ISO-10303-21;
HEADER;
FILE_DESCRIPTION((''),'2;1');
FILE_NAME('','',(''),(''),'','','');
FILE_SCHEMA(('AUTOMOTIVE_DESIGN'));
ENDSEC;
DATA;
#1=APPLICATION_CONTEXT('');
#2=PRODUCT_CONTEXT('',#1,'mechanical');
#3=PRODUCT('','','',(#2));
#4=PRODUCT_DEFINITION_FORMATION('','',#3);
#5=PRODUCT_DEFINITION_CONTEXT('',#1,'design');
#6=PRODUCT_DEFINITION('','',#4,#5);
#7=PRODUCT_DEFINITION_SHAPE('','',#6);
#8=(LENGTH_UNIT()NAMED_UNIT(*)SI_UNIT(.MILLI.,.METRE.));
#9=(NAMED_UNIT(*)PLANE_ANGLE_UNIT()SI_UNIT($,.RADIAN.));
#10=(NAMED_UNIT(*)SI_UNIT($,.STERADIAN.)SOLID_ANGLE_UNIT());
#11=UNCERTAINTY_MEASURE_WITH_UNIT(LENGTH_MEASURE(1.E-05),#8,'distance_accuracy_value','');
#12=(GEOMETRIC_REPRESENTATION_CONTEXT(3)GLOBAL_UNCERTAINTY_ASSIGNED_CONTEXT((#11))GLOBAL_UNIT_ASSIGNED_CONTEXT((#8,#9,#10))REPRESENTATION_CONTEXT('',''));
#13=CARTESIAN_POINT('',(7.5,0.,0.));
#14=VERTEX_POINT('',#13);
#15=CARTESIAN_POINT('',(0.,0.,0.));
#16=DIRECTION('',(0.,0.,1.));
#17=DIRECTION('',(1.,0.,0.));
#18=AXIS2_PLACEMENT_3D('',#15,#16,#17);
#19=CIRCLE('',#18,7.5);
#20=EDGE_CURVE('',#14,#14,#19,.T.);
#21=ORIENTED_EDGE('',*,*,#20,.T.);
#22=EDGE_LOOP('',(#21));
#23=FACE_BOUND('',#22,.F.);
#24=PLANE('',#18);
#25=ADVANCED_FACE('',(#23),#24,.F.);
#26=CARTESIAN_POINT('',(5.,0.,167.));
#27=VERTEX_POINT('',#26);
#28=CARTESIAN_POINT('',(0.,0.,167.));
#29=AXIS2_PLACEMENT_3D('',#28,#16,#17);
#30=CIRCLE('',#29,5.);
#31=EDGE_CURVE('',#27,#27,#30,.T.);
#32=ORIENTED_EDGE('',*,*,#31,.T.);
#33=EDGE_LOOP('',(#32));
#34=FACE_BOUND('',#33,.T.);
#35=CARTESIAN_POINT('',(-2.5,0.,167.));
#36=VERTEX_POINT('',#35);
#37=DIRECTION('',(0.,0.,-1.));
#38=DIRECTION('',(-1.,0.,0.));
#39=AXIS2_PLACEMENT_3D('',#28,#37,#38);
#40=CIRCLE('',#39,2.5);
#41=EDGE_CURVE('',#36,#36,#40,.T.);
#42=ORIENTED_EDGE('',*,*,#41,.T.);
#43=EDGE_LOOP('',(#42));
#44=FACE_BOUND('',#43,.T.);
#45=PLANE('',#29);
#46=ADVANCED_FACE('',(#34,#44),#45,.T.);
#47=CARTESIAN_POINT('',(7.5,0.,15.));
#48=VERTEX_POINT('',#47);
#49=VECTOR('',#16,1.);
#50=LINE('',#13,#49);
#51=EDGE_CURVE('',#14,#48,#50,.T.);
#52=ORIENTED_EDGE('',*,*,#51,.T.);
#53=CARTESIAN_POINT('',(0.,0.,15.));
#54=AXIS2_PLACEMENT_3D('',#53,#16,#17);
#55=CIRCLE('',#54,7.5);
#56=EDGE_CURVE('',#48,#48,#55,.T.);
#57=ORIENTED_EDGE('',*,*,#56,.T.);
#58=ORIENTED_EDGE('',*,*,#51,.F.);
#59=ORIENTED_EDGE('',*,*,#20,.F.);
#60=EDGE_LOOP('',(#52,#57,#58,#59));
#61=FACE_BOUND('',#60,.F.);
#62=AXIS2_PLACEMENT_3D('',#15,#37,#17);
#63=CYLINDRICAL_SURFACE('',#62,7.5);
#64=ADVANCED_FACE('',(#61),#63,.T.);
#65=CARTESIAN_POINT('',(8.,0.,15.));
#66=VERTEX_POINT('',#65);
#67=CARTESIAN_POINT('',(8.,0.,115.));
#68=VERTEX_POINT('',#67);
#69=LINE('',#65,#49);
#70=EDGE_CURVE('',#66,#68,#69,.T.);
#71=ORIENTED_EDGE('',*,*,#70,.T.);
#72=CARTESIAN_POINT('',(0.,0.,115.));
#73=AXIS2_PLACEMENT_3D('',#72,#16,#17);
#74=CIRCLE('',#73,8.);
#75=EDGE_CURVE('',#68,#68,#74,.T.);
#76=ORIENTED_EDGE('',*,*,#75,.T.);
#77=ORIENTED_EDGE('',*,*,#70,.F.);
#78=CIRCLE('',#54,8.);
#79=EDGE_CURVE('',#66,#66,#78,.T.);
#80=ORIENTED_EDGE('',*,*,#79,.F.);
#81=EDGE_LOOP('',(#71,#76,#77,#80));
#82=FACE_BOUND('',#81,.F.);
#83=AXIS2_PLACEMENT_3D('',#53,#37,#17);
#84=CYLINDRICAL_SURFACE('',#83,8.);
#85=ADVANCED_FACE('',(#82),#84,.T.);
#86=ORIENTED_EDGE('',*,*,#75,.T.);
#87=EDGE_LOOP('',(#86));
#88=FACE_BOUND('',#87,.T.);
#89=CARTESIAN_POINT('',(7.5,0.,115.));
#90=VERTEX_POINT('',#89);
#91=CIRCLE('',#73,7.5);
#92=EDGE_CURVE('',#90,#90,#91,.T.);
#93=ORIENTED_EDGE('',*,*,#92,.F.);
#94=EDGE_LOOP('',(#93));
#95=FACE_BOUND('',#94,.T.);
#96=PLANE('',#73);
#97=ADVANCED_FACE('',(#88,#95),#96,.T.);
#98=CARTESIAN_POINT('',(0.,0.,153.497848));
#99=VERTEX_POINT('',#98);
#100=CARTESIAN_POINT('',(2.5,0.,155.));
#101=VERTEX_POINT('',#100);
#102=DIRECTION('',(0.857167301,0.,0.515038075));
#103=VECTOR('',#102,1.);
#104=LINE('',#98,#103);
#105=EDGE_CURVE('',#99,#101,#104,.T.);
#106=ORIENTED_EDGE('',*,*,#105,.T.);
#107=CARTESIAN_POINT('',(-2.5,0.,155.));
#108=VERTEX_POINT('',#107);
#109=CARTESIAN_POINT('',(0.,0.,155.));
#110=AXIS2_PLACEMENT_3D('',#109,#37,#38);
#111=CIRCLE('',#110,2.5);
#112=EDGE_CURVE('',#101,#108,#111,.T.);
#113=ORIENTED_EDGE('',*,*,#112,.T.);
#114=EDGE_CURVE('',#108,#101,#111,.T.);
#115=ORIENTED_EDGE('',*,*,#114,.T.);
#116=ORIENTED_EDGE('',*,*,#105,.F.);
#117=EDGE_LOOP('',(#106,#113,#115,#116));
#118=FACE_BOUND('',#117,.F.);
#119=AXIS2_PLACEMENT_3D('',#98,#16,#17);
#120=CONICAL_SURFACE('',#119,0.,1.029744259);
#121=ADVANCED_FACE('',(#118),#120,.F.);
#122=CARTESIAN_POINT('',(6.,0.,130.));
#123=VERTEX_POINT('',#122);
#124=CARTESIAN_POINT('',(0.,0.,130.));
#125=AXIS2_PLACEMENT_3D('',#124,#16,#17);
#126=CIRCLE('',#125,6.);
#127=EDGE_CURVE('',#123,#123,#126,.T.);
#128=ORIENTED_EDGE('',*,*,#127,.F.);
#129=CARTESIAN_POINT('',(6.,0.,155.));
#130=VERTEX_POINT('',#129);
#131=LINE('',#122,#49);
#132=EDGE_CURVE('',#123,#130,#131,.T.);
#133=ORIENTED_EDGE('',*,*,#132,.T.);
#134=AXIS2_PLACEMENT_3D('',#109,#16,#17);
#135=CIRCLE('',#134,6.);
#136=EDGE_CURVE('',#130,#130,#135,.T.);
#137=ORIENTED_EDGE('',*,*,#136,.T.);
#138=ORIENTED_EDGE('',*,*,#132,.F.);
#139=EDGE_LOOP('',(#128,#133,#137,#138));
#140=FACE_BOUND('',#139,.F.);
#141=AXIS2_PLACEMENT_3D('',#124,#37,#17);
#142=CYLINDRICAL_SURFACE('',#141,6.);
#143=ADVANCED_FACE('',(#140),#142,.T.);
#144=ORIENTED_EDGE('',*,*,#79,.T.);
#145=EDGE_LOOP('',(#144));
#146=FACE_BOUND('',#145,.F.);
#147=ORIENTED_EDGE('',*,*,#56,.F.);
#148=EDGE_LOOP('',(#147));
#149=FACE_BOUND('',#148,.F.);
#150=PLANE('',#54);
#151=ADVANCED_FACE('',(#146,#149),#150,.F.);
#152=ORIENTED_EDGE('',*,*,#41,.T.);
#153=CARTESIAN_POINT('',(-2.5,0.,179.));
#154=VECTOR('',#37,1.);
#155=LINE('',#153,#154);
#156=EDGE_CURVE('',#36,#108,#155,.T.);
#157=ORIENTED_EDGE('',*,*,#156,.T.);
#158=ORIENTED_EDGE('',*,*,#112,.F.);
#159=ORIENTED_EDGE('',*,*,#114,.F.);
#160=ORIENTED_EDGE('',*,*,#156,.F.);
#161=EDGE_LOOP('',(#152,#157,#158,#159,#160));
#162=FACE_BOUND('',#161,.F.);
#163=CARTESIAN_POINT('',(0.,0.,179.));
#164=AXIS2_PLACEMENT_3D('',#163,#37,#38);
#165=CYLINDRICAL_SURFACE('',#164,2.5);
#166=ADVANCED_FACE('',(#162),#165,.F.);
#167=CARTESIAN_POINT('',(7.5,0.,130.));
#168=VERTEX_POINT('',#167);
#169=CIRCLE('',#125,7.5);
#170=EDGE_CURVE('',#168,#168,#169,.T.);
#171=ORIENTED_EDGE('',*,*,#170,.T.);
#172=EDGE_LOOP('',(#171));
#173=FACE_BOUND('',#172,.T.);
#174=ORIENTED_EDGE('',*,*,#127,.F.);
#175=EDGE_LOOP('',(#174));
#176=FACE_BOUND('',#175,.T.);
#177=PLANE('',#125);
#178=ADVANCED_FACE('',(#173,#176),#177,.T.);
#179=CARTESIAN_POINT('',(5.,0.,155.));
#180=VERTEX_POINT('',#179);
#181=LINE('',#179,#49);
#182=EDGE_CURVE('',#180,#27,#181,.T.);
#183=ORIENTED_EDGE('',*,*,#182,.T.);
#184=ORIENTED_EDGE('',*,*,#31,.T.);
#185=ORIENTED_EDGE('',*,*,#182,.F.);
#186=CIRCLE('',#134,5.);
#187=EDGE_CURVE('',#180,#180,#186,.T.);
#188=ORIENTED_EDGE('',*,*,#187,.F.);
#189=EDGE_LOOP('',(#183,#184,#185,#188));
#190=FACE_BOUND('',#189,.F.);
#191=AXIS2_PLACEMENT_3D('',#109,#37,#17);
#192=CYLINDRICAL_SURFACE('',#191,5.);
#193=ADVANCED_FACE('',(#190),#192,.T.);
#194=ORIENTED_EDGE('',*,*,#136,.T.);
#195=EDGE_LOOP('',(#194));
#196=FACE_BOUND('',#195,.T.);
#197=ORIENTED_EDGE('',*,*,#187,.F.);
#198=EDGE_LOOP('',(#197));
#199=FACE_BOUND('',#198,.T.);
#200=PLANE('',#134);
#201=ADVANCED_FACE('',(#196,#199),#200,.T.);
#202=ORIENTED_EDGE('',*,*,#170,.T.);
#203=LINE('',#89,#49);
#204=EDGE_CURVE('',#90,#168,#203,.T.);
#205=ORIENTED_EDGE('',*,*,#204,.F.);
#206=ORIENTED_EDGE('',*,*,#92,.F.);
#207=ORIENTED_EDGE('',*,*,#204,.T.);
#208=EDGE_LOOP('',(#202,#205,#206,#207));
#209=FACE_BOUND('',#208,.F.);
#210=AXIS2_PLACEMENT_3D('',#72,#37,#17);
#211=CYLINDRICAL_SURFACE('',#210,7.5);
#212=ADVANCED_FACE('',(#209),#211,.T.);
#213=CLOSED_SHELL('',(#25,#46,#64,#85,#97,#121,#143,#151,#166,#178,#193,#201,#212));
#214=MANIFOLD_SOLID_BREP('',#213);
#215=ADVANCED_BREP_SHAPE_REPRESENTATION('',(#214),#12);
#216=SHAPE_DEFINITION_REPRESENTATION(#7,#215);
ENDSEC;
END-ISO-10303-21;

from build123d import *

# Parameters (mm, degrees)
F0_R      = 7.5
F1_DEPTH  = 15
F2_R      = 8
F3_DEPTH  = 100
F4_R      = 7.5
F5_DEPTH  = 15
F6_R      = 6
F7_DEPTH  = 25
F8_R      = 5
F9_DEPTH  = 12
F11_D     = 5
F11_DEPTH = 12
F11_TIP   = 1.5021515476


with BuildPart() as f1:
    # F0 (on Top) → F1 (new body)
    with BuildSketch(Plane.XY):
        Circle(F0_R)
    extrude(amount=F1_DEPTH)

    # F2 (on face) → F3 (join)
    with BuildSketch(Plane.XY.offset(15)):
        Circle(F2_R)
    extrude(amount=F3_DEPTH)

    # F4 (on face) → F5 (join)
    with BuildSketch(Plane.XY.offset(115)):
        Circle(F4_R)
    extrude(amount=F5_DEPTH)

    # F6 (on face) → F7 (join)
    with BuildSketch(Plane.XY.offset(130)):
        Circle(F6_R)
    extrude(amount=F7_DEPTH)

    # F8 (on face) → F9 (join)
    with BuildSketch(Plane.XY.offset(155)):
        Circle(F8_R)
    extrude(amount=F9_DEPTH)

    # F11
    with Locations(Plane.XY.offset(167)):
        with Locations((0, 0)):
            Hole(F11_D / 2, depth=F11_DEPTH)
            with Locations((0, 0, -(F11_DEPTH + F11_TIP / 2))):  # 118° drill point
                Cone(0, F11_D / 2, F11_TIP, mode=Mode.SUBTRACT)


solid = f1.part
